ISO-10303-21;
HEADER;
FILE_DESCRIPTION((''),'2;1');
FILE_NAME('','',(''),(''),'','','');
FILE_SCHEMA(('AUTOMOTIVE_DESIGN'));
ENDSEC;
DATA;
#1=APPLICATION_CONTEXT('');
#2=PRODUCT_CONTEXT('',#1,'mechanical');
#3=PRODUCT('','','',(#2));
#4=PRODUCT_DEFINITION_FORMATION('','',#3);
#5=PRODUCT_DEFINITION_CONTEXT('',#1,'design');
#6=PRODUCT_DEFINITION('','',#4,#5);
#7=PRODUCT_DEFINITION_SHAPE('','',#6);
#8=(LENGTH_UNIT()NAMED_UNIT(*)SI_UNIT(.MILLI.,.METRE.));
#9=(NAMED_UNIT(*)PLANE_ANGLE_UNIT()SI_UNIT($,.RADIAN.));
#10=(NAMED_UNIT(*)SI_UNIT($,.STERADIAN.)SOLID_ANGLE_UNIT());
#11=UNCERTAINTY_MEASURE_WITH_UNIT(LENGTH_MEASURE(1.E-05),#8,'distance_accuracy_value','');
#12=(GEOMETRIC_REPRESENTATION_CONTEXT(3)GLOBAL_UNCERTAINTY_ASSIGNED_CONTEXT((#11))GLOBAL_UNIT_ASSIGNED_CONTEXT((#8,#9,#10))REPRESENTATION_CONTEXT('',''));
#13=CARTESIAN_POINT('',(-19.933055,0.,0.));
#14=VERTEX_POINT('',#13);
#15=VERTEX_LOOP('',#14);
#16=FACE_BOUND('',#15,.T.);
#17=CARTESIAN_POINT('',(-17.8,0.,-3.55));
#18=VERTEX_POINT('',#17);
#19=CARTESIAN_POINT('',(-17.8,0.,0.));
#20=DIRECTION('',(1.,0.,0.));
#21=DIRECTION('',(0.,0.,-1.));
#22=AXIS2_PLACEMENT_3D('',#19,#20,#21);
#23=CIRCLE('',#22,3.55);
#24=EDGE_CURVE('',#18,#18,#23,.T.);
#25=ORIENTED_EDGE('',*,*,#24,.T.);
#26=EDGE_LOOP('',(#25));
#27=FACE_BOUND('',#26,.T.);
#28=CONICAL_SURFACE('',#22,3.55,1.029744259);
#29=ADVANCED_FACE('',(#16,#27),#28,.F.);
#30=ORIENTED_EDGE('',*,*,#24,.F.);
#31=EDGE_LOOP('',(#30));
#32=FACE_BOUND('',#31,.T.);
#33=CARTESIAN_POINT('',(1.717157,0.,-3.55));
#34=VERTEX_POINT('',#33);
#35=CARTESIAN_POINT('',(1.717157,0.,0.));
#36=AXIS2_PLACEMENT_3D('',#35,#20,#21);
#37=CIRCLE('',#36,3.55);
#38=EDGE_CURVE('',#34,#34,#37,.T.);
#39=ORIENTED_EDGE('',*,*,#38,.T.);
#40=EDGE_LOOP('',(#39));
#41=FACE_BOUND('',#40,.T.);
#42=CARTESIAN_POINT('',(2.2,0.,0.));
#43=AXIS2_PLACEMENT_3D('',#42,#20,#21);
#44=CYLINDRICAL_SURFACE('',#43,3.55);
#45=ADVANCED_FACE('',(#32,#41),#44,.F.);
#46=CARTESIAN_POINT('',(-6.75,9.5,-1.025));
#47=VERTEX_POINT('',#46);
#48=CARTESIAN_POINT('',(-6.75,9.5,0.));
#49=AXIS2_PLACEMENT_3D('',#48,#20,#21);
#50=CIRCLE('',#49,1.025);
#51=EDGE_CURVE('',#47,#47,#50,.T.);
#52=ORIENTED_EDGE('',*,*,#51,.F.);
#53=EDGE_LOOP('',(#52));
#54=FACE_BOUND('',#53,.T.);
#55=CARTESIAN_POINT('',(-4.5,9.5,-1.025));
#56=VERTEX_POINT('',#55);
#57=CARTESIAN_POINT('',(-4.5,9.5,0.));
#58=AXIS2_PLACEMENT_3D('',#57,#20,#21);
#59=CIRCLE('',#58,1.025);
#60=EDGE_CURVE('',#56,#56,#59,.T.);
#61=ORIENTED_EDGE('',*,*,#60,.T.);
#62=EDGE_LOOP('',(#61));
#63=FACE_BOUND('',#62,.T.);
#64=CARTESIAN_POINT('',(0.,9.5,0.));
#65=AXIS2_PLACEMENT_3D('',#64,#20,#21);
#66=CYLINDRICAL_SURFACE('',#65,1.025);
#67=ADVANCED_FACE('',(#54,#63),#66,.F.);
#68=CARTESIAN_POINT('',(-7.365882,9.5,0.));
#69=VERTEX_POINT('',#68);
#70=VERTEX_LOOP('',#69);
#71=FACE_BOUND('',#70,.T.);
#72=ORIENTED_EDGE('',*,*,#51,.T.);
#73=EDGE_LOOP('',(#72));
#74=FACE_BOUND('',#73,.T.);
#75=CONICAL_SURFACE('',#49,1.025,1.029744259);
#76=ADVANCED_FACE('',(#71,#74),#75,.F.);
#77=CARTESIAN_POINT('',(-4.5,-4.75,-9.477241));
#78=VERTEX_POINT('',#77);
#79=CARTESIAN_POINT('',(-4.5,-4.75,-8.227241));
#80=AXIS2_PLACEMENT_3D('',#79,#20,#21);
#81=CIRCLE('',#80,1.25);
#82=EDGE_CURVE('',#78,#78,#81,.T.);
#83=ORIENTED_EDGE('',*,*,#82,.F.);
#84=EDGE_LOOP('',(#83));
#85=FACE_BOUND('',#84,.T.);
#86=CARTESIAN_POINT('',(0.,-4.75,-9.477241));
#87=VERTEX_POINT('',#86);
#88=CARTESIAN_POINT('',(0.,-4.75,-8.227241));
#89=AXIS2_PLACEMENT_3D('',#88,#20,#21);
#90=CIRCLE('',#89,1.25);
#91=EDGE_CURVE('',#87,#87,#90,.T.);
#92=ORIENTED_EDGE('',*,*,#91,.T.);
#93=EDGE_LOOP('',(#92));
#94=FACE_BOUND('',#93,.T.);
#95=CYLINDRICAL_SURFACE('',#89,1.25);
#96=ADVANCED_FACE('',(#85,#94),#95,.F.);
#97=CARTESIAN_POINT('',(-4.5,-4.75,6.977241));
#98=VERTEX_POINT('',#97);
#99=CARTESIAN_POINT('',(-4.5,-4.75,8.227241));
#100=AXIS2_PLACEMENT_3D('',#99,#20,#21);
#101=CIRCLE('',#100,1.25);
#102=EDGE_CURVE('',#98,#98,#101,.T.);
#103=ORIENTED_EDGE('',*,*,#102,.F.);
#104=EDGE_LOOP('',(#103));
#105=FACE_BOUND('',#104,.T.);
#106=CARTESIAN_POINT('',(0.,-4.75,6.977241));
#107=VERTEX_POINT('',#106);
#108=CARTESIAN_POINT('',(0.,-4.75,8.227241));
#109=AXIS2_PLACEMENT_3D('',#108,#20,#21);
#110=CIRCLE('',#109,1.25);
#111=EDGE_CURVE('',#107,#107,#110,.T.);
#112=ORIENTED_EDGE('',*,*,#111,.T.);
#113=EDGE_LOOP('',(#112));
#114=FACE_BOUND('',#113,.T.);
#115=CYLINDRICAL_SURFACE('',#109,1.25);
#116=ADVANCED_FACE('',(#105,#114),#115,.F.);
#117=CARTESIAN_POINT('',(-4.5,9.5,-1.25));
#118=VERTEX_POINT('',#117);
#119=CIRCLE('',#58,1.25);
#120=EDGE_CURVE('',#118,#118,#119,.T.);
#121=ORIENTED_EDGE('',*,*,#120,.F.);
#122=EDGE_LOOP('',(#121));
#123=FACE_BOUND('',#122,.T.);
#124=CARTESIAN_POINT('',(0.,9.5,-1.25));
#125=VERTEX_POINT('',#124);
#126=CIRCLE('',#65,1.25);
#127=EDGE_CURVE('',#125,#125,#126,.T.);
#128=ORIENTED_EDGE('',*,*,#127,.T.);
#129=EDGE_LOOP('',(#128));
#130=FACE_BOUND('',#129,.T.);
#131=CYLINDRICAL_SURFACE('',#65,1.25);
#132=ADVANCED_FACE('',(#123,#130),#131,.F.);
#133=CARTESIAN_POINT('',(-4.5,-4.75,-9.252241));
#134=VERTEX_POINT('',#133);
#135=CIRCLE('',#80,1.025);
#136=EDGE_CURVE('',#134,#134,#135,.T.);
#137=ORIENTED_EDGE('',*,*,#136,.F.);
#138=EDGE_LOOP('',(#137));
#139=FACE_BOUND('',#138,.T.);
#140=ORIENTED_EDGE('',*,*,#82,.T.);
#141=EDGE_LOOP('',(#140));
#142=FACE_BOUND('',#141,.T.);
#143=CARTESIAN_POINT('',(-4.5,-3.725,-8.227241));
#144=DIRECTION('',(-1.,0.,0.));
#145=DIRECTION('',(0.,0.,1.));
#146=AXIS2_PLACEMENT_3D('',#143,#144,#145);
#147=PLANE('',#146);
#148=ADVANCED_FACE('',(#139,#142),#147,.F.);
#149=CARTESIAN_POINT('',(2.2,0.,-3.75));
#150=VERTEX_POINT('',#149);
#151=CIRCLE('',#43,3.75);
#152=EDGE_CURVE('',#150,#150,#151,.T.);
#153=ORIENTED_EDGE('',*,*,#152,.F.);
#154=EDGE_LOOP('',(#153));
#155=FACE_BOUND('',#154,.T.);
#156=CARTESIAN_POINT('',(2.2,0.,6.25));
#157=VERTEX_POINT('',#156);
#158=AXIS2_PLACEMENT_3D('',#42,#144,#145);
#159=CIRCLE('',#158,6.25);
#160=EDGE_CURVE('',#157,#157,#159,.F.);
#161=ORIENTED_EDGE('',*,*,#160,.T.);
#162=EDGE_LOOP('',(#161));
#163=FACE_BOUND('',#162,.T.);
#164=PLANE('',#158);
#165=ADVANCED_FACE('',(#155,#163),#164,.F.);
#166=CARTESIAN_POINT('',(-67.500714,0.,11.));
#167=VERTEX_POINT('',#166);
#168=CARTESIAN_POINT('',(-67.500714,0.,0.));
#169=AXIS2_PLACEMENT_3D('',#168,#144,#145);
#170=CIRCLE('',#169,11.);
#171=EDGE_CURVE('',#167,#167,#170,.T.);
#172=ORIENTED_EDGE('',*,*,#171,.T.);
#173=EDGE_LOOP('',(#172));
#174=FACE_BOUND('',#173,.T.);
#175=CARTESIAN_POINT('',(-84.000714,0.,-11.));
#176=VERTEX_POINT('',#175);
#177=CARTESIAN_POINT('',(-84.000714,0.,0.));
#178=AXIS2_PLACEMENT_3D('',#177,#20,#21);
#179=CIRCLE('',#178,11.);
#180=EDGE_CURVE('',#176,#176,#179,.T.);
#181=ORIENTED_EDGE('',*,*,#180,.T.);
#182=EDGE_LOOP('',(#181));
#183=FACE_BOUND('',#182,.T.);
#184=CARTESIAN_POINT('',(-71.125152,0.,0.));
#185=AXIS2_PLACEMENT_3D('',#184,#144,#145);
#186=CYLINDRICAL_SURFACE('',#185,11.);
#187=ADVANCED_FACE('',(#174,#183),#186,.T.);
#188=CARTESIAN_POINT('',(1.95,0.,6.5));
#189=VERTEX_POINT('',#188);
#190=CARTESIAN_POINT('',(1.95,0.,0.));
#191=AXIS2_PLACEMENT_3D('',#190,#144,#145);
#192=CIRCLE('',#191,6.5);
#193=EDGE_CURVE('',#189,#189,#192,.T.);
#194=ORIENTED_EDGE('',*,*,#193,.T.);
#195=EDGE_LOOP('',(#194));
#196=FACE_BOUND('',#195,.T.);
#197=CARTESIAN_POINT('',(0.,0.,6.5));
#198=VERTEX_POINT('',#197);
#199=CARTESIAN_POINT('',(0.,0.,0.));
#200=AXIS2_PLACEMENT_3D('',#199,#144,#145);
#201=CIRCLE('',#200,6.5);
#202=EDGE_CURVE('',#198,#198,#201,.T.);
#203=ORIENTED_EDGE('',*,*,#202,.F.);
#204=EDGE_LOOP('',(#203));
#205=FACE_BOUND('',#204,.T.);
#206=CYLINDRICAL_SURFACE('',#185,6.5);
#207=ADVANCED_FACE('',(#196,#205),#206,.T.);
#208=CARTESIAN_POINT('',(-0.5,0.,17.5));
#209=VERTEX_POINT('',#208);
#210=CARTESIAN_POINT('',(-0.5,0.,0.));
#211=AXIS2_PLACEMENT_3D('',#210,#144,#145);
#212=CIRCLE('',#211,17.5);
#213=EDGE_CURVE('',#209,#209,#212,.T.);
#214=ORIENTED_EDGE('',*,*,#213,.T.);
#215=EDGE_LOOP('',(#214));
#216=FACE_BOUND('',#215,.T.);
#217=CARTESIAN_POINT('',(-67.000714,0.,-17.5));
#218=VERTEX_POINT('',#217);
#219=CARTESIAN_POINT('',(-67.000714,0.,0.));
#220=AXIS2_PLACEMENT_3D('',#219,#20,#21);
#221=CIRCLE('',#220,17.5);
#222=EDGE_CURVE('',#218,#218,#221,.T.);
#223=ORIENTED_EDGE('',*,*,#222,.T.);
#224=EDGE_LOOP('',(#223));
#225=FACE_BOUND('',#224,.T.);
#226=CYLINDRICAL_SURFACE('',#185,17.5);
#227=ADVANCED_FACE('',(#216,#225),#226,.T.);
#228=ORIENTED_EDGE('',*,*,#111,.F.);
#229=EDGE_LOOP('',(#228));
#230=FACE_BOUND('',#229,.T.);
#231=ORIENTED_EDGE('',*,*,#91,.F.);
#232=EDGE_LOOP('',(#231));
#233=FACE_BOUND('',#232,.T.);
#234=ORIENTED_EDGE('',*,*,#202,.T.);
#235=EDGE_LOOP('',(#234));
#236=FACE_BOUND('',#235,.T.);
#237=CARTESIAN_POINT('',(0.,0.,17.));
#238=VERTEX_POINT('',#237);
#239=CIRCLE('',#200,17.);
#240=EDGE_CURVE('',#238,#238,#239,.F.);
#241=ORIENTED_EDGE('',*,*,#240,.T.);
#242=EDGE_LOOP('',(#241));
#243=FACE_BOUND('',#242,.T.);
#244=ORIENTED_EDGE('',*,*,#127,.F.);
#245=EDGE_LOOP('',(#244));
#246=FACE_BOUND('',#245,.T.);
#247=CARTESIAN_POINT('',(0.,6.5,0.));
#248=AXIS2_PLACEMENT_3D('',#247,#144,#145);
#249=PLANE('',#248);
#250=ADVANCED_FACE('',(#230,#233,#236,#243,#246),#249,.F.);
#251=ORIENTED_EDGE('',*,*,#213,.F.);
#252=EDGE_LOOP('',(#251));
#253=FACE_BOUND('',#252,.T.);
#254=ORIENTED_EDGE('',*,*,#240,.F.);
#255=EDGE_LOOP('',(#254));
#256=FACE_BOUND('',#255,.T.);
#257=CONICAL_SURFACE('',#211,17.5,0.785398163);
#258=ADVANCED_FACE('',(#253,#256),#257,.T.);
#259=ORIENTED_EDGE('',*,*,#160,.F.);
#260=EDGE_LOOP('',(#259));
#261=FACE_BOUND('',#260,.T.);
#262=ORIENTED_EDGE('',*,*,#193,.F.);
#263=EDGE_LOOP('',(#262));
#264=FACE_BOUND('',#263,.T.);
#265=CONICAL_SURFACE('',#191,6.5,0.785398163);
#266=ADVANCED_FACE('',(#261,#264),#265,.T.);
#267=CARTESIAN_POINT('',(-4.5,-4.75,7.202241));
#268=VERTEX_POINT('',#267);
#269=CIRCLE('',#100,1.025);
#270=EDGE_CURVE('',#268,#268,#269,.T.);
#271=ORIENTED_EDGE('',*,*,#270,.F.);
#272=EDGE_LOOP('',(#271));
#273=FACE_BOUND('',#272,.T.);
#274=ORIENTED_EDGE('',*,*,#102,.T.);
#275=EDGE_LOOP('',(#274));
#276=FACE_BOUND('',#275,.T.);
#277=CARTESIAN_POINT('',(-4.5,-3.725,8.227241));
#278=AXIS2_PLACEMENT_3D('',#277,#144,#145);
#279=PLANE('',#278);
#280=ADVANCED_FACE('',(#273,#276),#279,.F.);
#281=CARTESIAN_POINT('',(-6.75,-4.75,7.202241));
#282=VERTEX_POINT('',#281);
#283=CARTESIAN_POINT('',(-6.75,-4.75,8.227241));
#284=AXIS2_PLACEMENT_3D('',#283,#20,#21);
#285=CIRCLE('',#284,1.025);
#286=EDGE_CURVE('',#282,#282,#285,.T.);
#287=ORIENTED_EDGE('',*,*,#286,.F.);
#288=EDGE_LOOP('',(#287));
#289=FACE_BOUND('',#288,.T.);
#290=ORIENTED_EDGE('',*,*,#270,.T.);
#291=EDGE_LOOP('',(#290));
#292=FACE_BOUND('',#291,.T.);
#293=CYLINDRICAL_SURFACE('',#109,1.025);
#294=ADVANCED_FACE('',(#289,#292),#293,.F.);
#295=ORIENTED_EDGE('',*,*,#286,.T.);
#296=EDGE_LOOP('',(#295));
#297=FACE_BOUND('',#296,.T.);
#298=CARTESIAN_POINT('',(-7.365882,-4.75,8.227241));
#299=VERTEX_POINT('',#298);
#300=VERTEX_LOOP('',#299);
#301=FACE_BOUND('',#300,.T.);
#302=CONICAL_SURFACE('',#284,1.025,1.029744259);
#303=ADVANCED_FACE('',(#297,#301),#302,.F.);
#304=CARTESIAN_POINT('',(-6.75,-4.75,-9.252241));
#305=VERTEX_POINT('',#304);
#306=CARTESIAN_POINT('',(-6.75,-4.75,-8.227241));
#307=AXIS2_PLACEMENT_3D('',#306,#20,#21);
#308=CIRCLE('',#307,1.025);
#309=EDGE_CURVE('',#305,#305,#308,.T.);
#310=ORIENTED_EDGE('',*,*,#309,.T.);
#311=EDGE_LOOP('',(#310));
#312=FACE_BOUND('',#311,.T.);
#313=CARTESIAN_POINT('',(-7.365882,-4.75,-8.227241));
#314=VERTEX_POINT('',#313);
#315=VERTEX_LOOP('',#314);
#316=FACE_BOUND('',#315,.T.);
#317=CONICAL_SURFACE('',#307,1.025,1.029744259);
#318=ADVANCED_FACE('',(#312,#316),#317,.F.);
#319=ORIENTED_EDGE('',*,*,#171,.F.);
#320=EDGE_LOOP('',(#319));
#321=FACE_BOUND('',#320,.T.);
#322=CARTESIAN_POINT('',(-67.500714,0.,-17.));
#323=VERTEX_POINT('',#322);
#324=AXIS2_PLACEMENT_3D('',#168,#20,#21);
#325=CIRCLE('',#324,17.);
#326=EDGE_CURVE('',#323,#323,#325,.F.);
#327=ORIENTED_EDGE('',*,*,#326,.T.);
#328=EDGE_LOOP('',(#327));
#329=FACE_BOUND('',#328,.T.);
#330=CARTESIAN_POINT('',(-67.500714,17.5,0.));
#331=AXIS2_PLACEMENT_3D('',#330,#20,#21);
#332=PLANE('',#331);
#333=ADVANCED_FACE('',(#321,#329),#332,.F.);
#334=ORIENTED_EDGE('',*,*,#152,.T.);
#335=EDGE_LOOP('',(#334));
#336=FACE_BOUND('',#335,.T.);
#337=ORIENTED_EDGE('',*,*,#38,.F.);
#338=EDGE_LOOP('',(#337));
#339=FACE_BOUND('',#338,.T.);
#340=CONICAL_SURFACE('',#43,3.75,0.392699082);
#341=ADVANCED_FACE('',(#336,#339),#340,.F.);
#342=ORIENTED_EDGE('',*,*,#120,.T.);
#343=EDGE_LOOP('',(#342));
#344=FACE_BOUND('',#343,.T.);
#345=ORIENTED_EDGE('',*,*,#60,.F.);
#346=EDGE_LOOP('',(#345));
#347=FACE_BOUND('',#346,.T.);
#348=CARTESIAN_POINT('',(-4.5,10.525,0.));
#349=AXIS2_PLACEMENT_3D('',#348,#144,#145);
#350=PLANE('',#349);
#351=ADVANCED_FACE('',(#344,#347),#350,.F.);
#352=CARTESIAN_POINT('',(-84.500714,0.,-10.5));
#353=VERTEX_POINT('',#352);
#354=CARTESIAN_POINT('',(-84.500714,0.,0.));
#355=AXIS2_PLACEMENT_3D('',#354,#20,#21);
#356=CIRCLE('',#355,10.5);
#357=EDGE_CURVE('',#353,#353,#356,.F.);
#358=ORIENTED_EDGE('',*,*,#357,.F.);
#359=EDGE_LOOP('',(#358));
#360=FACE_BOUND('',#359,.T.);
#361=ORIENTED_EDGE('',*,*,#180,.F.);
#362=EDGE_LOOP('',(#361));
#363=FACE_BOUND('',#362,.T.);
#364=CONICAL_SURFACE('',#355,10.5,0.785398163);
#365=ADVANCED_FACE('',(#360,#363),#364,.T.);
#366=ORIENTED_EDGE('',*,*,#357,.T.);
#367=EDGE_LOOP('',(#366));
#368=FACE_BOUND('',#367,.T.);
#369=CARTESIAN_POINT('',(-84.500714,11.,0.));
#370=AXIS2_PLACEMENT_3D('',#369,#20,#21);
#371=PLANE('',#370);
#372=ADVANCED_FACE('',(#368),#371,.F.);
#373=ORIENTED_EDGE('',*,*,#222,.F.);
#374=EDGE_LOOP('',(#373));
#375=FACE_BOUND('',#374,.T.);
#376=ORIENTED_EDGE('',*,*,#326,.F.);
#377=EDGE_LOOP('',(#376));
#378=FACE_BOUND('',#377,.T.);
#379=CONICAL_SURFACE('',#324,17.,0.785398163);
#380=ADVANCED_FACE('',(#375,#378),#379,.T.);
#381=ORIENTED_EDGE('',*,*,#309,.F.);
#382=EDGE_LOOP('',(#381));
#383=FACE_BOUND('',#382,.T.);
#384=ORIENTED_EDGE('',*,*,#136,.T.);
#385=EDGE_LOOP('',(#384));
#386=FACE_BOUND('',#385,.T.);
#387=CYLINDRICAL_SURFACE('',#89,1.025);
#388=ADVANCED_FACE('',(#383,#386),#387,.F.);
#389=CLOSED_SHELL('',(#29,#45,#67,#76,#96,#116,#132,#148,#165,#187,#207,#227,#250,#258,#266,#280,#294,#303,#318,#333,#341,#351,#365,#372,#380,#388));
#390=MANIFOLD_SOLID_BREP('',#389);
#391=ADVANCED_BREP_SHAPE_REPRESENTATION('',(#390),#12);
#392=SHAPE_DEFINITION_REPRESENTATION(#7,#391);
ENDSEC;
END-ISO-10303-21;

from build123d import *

# Parameters (mm, degrees)
CHANFREIN2_SIZE                   = 0.25
R_P_TITION_CIRCULAIRE1_COUNT      = 3
CHANFREIN3_SIZE                   = 0.5
D_GAGEMENT_POUR_M6_51_D           = 7.1
D_GAGEMENT_POUR_M6_51_DEPTH       = 20
D_GAGEMENT_POUR_M6_51_CSINK_D     = 7.5
D_GAGEMENT_POUR_M6_51_CSINK_ANGLE = 45
D_GAGEMENT_POUR_M6_51_TIP         = 2.133055198


with BuildPart() as part:
    # Esquisse1 → Base-Révolution (revolve)
    with BuildSketch(Plane.XY):
        Polygon((2.2, 0), (2.2, 6.5), (0, 6.5), (0, 17.5), (-67.500713504, 17.5), (-67.500713504, 11), (-84.500713504, 11), (-84.500713504, 0), align=None)
    revolve(axis=Axis((-71.12515213, 0, 0), (1, 0, 0)))

    # Chanfrein2
    chanfrein2_edges = [part.edges().sort_by_distance(p)[0] for p in [
        (2.2, -6.5, 0),
    ]]
    chamfer(chanfrein2_edges, length=CHANFREIN2_SIZE)

    # Esquisse2 → Trou taraudé M2.5x0.451 (revolve, cut)
    with BuildSketch(Plane(origin=(0, 9.5, 0), x_dir=(0, 0, -1), z_dir=(0, 1, 0))):
        Polygon((0, 0), (0, 7.365882135), (1.025, 6.75), (1.025, 4.5), (1.25, 4.5), (1.25, 0), align=None)
    trou_taraud_m2_5x0_451 = revolve(axis=Axis((6.35, 9.5, 0), (-1, 0, 0)), mode=Mode.SUBTRACT)

    # Répétition circulaire1: Trou taraudé M2.5x0.451 ×3 about axis
    r_p_tition_circulaire1_axis = Axis((-21.12515213, 0, 0), (-1, 0, 0))
    for i in range(1, R_P_TITION_CIRCULAIRE1_COUNT):
        add(trou_taraud_m2_5x0_451.rotate(r_p_tition_circulaire1_axis, i * 360 / R_P_TITION_CIRCULAIRE1_COUNT), mode=Mode.SUBTRACT)

    # Chanfrein3
    chanfrein3_edges = [part.edges().sort_by_distance(p)[0] for p in [
        (-84.500713504, -11, 0),
        (-67.500713504, -17.5, 0),
        (0, -17.5, 0),
    ]]
    chamfer(chanfrein3_edges, length=CHANFREIN3_SIZE)

    # Dégagement pour M6.51
    with Locations(Plane(origin=(2.2, 0, 0), x_dir=(0, 0, -1), z_dir=(1, 0, 0))):
        with Locations((0, 0)):
            CounterSinkHole(D_GAGEMENT_POUR_M6_51_D / 2, D_GAGEMENT_POUR_M6_51_CSINK_D / 2, depth=D_GAGEMENT_POUR_M6_51_DEPTH, counter_sink_angle=D_GAGEMENT_POUR_M6_51_CSINK_ANGLE)
            with Locations((0, 0, -(D_GAGEMENT_POUR_M6_51_DEPTH + D_GAGEMENT_POUR_M6_51_TIP / 2))):  # 118° drill point
                Cone(0, D_GAGEMENT_POUR_M6_51_D / 2, D_GAGEMENT_POUR_M6_51_TIP, mode=Mode.SUBTRACT)


solid = part.part
